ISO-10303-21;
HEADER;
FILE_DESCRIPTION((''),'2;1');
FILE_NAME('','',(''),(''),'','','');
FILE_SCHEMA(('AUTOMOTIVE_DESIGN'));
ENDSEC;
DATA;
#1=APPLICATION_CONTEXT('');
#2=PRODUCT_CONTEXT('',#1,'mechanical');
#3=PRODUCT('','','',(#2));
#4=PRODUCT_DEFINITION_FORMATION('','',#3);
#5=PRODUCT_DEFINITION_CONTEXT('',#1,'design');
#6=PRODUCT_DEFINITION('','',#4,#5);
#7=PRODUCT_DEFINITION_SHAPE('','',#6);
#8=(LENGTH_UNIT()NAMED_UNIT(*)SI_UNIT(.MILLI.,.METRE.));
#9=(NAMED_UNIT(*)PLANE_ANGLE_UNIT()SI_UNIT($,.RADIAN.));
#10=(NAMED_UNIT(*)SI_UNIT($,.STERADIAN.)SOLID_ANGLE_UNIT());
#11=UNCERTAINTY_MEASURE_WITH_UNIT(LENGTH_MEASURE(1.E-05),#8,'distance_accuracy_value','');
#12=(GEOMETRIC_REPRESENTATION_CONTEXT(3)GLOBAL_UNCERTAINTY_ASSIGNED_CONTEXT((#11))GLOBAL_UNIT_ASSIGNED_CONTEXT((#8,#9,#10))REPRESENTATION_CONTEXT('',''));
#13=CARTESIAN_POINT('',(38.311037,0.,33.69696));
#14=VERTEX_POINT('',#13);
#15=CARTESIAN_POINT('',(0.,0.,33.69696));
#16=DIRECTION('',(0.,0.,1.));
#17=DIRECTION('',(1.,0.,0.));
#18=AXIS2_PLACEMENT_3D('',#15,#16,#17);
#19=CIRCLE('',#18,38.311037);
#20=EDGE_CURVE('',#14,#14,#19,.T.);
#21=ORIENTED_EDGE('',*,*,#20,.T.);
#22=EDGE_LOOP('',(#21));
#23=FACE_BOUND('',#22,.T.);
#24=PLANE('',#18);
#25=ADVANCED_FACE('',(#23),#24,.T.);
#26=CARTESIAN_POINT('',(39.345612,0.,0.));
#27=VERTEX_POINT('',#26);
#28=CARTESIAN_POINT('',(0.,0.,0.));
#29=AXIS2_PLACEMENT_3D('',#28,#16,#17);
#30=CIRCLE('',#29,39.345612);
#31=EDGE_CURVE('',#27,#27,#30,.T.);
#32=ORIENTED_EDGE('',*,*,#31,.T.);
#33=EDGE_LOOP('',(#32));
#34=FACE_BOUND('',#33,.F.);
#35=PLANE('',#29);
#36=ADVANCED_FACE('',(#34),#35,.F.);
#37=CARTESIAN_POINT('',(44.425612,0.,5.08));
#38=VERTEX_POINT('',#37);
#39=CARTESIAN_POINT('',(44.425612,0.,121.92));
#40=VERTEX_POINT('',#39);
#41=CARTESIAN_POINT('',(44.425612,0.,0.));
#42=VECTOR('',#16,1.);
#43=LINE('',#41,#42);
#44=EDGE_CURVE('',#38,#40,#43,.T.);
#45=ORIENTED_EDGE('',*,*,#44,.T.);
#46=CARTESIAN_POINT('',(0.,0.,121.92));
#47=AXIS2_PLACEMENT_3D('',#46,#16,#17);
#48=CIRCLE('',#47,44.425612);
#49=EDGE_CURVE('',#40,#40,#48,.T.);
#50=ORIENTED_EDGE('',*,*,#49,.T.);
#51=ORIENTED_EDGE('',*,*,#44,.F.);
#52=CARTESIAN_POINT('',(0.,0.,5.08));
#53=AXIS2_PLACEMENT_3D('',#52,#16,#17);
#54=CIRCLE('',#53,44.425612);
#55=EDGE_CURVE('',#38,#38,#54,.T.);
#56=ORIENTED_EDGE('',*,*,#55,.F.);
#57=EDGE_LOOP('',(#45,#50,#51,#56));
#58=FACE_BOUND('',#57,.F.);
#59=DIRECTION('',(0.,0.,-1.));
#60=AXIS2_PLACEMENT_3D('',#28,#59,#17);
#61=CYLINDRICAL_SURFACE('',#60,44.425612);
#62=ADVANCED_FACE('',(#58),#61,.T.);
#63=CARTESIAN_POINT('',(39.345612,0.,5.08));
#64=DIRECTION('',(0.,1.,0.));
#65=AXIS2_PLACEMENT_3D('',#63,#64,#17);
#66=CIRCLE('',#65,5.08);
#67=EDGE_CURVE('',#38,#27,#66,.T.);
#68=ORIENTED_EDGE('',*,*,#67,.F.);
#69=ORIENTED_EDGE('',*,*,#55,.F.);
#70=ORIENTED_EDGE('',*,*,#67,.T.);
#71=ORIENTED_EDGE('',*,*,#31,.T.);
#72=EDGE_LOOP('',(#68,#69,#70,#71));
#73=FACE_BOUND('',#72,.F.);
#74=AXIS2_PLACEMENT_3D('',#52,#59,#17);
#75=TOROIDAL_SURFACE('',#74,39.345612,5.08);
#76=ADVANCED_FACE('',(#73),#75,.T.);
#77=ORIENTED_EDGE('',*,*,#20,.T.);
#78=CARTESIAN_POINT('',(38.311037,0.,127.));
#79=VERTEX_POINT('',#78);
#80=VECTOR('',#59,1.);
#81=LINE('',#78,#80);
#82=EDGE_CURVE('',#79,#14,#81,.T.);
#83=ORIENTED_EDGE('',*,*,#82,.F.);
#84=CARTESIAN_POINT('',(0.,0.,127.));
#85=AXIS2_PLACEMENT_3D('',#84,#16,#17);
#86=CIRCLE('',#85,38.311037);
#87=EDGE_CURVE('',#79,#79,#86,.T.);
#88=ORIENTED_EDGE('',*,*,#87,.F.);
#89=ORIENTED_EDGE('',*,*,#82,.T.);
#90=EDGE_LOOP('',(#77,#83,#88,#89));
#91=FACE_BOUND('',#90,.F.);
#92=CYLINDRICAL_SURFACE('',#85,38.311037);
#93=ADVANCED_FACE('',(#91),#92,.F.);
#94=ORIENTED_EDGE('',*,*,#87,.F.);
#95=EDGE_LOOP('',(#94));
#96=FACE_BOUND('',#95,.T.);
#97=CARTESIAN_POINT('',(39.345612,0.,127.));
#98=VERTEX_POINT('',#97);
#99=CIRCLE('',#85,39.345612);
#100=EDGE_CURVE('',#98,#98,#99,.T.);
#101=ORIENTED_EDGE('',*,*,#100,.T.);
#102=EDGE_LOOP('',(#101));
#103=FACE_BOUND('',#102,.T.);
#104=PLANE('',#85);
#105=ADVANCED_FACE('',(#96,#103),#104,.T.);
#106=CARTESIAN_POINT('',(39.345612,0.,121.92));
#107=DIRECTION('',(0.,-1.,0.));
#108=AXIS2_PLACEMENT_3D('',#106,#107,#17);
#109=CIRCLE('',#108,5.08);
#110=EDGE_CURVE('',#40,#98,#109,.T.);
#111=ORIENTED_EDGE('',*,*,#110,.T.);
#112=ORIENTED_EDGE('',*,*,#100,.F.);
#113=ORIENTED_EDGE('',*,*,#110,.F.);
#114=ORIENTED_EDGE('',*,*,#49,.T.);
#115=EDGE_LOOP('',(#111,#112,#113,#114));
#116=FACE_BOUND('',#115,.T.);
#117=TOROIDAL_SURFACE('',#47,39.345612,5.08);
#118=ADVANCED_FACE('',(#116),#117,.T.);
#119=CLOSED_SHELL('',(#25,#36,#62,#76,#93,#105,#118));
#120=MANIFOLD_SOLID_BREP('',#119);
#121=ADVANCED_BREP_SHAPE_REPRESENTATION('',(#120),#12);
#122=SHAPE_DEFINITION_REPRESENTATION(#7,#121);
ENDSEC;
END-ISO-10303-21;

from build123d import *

# Parameters (mm, degrees)
F0_R     = 44.425612
F1_DEPTH = 127
F2_R     = 38.311037
F3_DEPTH = 93.30304
F4_R     = 5.08
F5_R     = 5.08


with BuildPart() as f1:
    # F0 (on Top) → F1 (new body)
    with BuildSketch(Plane.XY):
        Circle(F0_R)
    extrude(amount=F1_DEPTH)

    # F2 (on face) → F3 (cut)
    with BuildSketch(Plane.XY.offset(127)):
        Circle(F2_R)
    extrude(amount=-F3_DEPTH, mode=Mode.SUBTRACT)

    # F4
    f4_edges = [f1.edges().sort_by_distance(p)[0] for p in [
        (-44.425612, 0, 127),
    ]]
    fillet(f4_edges, radius=F4_R)

    # F5
    f5_edges = [f1.edges().sort_by_distance(p)[0] for p in [
        (-44.425612, 0, 0),
    ]]
    fillet(f5_edges, radius=F5_R)


solid = f1.part
